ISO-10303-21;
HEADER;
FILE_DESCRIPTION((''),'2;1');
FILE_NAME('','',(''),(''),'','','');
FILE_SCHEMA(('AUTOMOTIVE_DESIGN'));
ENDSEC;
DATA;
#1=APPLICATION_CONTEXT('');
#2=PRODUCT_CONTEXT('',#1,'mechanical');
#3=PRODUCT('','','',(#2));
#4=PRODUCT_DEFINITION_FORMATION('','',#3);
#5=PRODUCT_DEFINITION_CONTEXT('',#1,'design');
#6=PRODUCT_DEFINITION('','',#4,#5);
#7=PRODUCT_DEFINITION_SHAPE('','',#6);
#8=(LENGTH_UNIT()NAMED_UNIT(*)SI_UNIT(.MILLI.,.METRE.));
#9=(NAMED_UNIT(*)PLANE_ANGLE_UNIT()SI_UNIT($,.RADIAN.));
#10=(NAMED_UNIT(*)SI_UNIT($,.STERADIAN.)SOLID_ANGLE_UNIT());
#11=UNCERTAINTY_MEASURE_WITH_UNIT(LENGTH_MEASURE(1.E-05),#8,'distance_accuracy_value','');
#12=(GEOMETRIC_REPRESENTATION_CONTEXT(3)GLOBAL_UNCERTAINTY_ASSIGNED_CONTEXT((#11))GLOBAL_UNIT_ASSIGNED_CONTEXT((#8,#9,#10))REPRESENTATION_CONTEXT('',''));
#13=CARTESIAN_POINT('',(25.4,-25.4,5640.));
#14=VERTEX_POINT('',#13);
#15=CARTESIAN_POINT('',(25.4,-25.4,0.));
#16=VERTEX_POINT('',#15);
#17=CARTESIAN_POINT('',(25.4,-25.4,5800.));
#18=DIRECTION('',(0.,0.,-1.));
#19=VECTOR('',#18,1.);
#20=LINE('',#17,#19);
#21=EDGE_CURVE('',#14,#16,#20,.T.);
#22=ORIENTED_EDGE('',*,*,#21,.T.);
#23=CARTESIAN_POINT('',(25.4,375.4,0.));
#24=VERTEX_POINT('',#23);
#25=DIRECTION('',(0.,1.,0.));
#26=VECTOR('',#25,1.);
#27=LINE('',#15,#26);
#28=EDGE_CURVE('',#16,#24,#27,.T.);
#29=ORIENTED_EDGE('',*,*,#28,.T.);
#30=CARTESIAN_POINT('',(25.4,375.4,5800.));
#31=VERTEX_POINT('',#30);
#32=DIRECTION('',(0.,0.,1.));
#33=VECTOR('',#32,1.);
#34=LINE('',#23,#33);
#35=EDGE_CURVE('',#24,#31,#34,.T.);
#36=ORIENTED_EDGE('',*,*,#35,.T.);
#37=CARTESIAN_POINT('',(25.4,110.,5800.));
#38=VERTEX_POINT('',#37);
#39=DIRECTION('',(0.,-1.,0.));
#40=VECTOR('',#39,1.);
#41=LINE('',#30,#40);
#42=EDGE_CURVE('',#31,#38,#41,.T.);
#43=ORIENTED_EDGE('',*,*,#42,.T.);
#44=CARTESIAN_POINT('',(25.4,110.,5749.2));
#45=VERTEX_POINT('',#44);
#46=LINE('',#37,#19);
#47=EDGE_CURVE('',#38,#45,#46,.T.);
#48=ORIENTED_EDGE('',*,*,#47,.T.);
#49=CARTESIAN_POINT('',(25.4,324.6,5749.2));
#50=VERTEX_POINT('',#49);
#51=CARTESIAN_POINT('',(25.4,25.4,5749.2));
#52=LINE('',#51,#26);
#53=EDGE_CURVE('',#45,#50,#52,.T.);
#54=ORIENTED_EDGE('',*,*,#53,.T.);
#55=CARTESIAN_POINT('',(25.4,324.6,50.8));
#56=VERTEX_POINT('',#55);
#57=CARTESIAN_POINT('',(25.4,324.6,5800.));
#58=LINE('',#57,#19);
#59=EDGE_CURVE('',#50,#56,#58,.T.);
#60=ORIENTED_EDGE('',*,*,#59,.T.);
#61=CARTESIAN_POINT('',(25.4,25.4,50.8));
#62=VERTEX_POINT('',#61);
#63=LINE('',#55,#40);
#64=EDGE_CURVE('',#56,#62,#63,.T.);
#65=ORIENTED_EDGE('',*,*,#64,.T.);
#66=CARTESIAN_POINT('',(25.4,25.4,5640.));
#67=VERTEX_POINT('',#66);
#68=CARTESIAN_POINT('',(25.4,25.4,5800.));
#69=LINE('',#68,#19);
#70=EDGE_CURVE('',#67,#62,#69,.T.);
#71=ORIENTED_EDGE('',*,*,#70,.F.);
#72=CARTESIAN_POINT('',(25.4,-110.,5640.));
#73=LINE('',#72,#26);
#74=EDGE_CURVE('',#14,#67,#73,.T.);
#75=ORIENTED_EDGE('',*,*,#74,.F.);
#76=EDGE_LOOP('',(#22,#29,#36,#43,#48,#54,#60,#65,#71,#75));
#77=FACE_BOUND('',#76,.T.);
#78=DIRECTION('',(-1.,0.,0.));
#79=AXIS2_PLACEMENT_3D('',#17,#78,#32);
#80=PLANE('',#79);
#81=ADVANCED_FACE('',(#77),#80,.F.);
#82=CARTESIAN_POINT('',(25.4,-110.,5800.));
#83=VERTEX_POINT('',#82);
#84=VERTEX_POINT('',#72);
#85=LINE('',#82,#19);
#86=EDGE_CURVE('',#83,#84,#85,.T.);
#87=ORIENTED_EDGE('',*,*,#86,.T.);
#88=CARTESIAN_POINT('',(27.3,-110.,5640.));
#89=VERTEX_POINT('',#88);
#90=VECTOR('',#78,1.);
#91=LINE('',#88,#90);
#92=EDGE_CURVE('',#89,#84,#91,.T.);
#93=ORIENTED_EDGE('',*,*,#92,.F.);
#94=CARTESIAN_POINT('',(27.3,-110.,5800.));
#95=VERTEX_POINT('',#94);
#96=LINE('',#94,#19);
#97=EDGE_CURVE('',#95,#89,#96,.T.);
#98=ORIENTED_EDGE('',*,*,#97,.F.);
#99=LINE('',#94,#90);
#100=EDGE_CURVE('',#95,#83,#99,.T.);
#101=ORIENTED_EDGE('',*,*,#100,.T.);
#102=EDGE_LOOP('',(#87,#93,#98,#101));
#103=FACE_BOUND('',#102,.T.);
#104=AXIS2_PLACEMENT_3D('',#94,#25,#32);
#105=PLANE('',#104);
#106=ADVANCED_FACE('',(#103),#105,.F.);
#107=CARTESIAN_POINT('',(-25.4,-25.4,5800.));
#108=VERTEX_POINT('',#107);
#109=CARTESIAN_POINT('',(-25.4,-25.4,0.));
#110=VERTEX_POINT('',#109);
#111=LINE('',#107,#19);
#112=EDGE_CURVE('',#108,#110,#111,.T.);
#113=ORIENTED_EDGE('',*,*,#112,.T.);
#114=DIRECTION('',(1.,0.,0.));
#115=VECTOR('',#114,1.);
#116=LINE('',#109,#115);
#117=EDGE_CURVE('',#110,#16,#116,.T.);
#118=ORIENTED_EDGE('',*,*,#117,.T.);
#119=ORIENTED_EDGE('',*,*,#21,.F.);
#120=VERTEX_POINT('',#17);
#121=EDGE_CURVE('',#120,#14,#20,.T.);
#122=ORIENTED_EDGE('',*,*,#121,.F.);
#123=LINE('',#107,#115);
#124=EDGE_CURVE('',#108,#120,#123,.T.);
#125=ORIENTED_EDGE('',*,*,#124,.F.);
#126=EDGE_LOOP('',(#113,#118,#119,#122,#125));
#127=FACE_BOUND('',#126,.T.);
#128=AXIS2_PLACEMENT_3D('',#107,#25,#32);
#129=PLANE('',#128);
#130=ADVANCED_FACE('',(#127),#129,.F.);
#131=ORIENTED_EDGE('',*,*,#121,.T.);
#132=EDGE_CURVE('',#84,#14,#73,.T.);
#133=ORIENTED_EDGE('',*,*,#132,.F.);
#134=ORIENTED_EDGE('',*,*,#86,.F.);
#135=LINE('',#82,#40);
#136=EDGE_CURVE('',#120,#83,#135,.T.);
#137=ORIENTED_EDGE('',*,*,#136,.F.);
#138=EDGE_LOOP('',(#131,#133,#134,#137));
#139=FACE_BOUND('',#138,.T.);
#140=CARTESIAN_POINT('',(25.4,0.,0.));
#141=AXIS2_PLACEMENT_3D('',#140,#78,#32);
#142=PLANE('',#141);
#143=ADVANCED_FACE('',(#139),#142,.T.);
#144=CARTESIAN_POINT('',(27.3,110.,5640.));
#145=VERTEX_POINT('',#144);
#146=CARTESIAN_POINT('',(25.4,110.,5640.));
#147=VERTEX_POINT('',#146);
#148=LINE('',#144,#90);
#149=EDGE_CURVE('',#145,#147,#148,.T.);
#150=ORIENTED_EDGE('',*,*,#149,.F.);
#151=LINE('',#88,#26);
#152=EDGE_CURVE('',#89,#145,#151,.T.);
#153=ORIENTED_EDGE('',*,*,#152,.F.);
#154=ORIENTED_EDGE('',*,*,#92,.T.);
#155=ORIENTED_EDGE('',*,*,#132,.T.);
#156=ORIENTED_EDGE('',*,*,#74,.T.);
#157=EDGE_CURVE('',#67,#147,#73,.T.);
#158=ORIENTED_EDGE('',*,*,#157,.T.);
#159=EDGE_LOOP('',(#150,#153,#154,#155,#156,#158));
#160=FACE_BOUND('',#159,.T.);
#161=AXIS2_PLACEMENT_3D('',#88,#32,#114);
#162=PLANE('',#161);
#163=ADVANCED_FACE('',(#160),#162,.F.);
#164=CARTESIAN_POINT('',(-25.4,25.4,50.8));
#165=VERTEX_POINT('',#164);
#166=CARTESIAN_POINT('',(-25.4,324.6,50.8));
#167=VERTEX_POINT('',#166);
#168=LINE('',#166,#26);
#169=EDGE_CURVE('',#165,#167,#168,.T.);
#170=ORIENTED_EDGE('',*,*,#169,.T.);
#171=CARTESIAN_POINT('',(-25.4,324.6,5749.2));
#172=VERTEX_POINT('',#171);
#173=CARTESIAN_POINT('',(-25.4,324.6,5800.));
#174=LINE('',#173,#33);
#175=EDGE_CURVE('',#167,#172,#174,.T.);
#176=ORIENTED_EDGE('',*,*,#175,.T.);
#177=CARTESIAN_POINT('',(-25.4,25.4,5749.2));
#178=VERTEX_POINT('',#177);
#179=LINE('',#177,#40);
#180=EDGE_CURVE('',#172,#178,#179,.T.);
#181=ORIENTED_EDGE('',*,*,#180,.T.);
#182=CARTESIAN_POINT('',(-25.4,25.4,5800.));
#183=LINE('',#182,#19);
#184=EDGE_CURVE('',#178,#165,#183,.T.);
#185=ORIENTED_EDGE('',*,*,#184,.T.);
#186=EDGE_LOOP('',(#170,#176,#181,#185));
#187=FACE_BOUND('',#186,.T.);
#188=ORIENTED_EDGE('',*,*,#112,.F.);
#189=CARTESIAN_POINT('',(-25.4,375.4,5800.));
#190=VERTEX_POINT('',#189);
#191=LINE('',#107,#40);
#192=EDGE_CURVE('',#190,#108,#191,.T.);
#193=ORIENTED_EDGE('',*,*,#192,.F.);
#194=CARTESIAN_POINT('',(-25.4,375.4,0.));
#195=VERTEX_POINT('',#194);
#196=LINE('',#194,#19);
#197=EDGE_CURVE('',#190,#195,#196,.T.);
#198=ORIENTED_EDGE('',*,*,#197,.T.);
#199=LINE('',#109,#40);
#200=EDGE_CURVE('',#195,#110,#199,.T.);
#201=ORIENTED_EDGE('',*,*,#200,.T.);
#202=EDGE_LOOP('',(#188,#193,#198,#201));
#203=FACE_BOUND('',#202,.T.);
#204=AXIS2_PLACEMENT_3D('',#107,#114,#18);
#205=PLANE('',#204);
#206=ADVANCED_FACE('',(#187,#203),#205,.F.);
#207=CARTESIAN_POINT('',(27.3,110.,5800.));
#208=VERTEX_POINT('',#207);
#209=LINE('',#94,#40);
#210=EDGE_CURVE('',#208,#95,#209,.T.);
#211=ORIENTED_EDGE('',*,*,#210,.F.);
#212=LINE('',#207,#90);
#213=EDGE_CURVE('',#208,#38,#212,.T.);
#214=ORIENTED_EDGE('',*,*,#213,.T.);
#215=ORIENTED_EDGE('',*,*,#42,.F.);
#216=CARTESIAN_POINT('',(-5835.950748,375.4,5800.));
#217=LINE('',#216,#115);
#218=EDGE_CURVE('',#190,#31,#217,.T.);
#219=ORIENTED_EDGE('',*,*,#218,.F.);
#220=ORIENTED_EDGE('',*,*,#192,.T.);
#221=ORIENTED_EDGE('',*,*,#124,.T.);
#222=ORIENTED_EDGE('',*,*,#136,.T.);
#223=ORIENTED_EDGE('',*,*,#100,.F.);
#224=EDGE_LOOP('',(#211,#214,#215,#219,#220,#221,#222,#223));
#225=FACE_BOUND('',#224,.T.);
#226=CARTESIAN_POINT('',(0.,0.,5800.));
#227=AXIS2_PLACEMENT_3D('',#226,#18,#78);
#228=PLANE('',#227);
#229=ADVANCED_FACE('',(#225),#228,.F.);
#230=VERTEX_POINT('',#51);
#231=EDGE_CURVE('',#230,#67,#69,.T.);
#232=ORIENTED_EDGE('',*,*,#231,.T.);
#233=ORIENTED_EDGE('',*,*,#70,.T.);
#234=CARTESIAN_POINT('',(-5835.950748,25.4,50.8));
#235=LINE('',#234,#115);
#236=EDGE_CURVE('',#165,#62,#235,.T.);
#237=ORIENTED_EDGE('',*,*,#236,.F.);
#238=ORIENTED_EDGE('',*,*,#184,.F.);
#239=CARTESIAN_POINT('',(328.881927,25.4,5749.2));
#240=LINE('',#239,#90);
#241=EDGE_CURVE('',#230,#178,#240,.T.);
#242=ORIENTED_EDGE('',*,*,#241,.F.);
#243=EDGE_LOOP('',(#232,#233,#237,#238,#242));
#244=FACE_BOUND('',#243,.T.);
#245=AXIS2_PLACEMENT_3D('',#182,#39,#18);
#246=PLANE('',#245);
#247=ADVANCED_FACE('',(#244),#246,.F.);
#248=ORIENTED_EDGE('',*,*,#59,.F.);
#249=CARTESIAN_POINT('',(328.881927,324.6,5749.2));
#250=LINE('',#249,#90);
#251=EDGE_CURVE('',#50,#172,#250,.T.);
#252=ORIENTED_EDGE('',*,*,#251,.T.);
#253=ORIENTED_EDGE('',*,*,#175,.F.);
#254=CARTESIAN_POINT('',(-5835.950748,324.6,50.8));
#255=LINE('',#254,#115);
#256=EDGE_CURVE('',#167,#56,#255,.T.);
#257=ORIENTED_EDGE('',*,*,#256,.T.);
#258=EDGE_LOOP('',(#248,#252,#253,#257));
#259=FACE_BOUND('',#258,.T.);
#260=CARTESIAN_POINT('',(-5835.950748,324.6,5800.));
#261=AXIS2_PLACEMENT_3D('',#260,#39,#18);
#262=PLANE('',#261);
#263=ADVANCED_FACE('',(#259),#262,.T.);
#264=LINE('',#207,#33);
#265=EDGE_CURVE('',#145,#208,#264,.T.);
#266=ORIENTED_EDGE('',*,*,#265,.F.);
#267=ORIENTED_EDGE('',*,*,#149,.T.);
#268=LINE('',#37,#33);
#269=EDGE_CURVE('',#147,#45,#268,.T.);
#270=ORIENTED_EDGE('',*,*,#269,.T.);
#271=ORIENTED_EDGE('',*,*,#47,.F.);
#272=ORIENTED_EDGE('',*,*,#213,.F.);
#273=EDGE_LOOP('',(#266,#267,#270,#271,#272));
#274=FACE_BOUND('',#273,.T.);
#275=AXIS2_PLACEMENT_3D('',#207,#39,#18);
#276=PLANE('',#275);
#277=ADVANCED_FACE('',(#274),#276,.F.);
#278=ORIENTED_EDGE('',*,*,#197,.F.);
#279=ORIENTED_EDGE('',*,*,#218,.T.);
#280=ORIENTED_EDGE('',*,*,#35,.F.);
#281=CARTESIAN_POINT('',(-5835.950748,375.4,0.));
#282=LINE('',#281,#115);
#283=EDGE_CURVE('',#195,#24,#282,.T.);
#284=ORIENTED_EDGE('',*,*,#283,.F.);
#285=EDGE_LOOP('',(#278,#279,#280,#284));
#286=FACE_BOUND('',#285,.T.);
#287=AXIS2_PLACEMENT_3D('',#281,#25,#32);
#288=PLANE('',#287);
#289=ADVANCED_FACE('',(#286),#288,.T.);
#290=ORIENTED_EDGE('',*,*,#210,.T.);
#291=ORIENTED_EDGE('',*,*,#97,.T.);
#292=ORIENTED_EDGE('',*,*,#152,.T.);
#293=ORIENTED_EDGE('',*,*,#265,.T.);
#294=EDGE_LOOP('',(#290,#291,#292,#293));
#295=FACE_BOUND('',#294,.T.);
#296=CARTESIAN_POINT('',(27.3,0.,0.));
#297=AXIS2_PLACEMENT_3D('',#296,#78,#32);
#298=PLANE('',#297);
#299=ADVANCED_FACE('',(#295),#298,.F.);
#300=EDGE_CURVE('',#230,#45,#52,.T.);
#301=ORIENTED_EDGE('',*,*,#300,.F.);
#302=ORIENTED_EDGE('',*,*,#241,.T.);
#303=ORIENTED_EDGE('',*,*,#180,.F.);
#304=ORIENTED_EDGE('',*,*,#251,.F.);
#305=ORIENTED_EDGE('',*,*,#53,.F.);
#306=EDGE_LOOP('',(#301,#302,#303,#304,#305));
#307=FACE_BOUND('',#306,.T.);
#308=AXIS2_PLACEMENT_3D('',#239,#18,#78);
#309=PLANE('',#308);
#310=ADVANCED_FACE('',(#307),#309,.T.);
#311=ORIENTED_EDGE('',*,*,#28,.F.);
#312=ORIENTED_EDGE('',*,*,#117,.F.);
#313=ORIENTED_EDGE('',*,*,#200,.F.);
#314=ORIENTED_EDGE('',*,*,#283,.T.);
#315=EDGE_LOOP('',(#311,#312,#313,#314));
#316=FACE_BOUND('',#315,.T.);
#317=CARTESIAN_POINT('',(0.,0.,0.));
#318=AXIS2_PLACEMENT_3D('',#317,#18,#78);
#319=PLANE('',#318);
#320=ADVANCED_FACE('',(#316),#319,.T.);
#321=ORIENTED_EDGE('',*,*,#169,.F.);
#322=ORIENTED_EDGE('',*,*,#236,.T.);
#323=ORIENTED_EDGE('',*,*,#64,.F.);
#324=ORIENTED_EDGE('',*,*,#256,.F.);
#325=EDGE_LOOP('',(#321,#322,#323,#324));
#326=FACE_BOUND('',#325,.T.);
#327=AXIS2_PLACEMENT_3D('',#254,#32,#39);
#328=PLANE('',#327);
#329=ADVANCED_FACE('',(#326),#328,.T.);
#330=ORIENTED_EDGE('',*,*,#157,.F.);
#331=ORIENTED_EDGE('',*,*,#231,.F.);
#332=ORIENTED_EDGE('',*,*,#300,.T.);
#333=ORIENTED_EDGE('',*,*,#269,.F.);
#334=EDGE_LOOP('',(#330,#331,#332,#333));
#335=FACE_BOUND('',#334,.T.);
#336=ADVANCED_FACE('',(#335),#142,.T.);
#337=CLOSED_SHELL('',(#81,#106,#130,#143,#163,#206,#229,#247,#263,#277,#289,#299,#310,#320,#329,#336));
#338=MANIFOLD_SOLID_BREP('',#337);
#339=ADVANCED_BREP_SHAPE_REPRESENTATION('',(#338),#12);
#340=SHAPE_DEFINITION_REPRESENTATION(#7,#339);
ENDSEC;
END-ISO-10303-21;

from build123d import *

# Parameters (mm, degrees)
CROQUIS1_W              = 50.8
CROQUIS1_H              = 50.8
SALIENTE_EXTRUIR1_DEPTH = 5800
CROQUIS4_W              = 160
CROQUIS4_H              = 220
SALIENTE_EXTRUIR4_DEPTH = 1.9
SALIENTE_EXTRUIR5_DEPTH = 50.8
CROQUIS7_W              = 50.8
CROQUIS7_H              = 299.2
SALIENTE_EXTRUIR7_DEPTH = 50.8


with BuildPart() as part:
    # Croquis1 → Saliente-Extruir1 (new body)
    with BuildSketch(Plane.XY):
        Rectangle(CROQUIS1_W, CROQUIS1_H)
    extrude(amount=SALIENTE_EXTRUIR1_DEPTH)

    # Croquis4 → Saliente-Extruir4 (add)
    with BuildSketch(Plane(origin=(25.4, 0, 0), x_dir=(0, 0, -1), z_dir=(1, 0, 0))):
        with Locations((-5720, 0)):
            Rectangle(CROQUIS4_W, CROQUIS4_H)
    extrude(amount=SALIENTE_EXTRUIR4_DEPTH)

    # Croquis5 → Saliente-Extruir5 (add)
    with BuildSketch(Plane(origin=(25.4, 0, 0), x_dir=(0, 0, -1), z_dir=(1, 0, 0))):
        Polygon((0, 25.4), (0, 375.4), (-5800, 375.4), (-5800, 324.6), (-50.8, 324.6), (-50.8, 25.4), align=None)
    extrude(amount=-SALIENTE_EXTRUIR5_DEPTH)

    # Croquis7 → Saliente-Extruir7 (add)
    with BuildSketch(Plane.ZY.offset(25.4)):
        with Locations((5774.6, 175)):
            Rectangle(CROQUIS7_W, CROQUIS7_H)
    extrude(amount=-SALIENTE_EXTRUIR7_DEPTH)


solid = part.part
